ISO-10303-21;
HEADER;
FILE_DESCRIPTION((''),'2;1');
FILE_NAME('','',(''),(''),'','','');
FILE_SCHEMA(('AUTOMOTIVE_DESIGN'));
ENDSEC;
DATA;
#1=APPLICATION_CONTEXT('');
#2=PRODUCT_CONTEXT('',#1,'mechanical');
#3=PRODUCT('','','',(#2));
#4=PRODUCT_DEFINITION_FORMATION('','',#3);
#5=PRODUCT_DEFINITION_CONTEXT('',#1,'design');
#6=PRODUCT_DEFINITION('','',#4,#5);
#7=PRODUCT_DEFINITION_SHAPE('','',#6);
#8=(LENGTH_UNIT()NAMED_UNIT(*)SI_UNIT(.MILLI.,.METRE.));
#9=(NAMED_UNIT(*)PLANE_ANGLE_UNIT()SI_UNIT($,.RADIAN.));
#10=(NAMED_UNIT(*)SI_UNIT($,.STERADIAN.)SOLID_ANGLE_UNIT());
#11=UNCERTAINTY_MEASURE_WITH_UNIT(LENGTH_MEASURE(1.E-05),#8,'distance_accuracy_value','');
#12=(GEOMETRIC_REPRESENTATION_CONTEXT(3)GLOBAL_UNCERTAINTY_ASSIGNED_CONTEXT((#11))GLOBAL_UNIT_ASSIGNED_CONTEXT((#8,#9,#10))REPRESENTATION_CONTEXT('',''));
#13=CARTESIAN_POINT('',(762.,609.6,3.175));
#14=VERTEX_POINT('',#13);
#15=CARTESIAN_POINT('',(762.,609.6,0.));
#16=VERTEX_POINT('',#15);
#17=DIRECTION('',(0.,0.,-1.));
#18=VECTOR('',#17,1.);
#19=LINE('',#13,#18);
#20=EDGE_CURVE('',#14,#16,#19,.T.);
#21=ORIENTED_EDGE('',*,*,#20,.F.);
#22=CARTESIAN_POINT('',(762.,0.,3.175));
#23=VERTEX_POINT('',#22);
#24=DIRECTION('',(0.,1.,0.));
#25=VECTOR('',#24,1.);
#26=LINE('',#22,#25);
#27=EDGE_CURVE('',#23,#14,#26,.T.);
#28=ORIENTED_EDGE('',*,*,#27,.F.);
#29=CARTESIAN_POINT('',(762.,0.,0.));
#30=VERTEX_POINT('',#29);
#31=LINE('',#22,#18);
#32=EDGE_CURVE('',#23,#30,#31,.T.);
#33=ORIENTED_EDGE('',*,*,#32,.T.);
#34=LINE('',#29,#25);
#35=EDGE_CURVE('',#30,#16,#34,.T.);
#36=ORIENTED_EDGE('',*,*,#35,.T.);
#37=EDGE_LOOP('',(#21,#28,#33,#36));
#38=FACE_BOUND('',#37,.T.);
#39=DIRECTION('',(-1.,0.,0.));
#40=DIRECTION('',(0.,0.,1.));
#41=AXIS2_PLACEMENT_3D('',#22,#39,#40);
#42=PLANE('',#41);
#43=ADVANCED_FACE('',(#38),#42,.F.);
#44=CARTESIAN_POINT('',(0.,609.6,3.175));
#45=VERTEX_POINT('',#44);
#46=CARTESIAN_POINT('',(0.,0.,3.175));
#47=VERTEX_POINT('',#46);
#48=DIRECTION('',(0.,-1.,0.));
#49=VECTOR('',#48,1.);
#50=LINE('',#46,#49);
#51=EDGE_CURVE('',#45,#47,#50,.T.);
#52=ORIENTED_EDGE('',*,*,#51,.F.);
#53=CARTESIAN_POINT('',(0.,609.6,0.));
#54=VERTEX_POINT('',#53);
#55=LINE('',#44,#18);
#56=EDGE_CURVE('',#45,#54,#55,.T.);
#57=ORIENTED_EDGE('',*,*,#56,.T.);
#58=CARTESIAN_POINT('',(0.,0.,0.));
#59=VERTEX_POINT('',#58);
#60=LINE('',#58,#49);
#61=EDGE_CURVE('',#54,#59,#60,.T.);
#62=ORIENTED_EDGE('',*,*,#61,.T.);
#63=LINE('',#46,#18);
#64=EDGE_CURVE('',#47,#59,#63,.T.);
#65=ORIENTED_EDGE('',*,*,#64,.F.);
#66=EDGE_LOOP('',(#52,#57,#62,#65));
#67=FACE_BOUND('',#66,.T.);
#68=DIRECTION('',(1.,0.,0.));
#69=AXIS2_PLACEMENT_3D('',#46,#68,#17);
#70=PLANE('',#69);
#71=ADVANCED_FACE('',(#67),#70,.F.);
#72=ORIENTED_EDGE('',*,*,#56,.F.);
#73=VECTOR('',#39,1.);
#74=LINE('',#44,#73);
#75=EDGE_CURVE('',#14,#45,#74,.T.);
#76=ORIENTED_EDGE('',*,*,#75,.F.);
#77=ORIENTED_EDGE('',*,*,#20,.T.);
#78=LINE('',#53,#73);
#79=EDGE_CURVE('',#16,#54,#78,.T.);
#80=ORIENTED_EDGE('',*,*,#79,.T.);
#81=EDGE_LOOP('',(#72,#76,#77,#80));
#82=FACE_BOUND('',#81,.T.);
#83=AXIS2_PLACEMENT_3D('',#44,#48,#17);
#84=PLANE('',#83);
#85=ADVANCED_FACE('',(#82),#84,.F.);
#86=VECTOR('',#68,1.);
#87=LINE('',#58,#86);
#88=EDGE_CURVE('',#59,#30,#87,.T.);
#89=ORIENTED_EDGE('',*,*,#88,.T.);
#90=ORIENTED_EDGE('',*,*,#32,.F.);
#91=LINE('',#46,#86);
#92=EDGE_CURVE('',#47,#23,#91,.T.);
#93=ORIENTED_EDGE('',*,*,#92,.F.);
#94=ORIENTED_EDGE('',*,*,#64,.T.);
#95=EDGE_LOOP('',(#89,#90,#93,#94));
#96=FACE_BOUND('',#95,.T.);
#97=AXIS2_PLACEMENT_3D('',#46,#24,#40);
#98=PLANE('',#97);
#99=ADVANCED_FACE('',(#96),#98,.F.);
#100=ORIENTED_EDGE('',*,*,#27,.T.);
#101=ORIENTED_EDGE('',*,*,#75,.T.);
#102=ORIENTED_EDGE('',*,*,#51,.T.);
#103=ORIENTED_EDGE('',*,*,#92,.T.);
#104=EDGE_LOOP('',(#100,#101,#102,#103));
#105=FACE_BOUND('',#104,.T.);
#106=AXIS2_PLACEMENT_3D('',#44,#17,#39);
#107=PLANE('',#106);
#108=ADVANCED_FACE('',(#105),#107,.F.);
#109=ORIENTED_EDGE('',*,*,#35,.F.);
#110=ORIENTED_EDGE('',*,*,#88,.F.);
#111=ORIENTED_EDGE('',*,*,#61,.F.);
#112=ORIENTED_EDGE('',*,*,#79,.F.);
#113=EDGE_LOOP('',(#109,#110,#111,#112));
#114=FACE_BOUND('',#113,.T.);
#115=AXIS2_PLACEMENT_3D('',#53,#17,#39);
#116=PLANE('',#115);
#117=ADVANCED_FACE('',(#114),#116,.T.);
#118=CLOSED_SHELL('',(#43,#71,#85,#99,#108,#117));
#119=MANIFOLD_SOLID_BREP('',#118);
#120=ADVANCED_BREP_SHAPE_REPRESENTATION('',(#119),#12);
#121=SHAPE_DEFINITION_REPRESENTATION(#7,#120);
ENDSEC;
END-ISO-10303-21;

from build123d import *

# Parameters (mm, degrees)
SKETCH1_W      = 762
SKETCH1_H      = 609.6
EXTRUDE1_DEPTH = 3.175


with BuildPart() as part:
    # Sketch1 → Extrude1 (new body)
    with BuildSketch(Plane.XY):
        with Locations((381, 304.8)):
            Rectangle(SKETCH1_W, SKETCH1_H)
    extrude(amount=EXTRUDE1_DEPTH)


solid = part.part
